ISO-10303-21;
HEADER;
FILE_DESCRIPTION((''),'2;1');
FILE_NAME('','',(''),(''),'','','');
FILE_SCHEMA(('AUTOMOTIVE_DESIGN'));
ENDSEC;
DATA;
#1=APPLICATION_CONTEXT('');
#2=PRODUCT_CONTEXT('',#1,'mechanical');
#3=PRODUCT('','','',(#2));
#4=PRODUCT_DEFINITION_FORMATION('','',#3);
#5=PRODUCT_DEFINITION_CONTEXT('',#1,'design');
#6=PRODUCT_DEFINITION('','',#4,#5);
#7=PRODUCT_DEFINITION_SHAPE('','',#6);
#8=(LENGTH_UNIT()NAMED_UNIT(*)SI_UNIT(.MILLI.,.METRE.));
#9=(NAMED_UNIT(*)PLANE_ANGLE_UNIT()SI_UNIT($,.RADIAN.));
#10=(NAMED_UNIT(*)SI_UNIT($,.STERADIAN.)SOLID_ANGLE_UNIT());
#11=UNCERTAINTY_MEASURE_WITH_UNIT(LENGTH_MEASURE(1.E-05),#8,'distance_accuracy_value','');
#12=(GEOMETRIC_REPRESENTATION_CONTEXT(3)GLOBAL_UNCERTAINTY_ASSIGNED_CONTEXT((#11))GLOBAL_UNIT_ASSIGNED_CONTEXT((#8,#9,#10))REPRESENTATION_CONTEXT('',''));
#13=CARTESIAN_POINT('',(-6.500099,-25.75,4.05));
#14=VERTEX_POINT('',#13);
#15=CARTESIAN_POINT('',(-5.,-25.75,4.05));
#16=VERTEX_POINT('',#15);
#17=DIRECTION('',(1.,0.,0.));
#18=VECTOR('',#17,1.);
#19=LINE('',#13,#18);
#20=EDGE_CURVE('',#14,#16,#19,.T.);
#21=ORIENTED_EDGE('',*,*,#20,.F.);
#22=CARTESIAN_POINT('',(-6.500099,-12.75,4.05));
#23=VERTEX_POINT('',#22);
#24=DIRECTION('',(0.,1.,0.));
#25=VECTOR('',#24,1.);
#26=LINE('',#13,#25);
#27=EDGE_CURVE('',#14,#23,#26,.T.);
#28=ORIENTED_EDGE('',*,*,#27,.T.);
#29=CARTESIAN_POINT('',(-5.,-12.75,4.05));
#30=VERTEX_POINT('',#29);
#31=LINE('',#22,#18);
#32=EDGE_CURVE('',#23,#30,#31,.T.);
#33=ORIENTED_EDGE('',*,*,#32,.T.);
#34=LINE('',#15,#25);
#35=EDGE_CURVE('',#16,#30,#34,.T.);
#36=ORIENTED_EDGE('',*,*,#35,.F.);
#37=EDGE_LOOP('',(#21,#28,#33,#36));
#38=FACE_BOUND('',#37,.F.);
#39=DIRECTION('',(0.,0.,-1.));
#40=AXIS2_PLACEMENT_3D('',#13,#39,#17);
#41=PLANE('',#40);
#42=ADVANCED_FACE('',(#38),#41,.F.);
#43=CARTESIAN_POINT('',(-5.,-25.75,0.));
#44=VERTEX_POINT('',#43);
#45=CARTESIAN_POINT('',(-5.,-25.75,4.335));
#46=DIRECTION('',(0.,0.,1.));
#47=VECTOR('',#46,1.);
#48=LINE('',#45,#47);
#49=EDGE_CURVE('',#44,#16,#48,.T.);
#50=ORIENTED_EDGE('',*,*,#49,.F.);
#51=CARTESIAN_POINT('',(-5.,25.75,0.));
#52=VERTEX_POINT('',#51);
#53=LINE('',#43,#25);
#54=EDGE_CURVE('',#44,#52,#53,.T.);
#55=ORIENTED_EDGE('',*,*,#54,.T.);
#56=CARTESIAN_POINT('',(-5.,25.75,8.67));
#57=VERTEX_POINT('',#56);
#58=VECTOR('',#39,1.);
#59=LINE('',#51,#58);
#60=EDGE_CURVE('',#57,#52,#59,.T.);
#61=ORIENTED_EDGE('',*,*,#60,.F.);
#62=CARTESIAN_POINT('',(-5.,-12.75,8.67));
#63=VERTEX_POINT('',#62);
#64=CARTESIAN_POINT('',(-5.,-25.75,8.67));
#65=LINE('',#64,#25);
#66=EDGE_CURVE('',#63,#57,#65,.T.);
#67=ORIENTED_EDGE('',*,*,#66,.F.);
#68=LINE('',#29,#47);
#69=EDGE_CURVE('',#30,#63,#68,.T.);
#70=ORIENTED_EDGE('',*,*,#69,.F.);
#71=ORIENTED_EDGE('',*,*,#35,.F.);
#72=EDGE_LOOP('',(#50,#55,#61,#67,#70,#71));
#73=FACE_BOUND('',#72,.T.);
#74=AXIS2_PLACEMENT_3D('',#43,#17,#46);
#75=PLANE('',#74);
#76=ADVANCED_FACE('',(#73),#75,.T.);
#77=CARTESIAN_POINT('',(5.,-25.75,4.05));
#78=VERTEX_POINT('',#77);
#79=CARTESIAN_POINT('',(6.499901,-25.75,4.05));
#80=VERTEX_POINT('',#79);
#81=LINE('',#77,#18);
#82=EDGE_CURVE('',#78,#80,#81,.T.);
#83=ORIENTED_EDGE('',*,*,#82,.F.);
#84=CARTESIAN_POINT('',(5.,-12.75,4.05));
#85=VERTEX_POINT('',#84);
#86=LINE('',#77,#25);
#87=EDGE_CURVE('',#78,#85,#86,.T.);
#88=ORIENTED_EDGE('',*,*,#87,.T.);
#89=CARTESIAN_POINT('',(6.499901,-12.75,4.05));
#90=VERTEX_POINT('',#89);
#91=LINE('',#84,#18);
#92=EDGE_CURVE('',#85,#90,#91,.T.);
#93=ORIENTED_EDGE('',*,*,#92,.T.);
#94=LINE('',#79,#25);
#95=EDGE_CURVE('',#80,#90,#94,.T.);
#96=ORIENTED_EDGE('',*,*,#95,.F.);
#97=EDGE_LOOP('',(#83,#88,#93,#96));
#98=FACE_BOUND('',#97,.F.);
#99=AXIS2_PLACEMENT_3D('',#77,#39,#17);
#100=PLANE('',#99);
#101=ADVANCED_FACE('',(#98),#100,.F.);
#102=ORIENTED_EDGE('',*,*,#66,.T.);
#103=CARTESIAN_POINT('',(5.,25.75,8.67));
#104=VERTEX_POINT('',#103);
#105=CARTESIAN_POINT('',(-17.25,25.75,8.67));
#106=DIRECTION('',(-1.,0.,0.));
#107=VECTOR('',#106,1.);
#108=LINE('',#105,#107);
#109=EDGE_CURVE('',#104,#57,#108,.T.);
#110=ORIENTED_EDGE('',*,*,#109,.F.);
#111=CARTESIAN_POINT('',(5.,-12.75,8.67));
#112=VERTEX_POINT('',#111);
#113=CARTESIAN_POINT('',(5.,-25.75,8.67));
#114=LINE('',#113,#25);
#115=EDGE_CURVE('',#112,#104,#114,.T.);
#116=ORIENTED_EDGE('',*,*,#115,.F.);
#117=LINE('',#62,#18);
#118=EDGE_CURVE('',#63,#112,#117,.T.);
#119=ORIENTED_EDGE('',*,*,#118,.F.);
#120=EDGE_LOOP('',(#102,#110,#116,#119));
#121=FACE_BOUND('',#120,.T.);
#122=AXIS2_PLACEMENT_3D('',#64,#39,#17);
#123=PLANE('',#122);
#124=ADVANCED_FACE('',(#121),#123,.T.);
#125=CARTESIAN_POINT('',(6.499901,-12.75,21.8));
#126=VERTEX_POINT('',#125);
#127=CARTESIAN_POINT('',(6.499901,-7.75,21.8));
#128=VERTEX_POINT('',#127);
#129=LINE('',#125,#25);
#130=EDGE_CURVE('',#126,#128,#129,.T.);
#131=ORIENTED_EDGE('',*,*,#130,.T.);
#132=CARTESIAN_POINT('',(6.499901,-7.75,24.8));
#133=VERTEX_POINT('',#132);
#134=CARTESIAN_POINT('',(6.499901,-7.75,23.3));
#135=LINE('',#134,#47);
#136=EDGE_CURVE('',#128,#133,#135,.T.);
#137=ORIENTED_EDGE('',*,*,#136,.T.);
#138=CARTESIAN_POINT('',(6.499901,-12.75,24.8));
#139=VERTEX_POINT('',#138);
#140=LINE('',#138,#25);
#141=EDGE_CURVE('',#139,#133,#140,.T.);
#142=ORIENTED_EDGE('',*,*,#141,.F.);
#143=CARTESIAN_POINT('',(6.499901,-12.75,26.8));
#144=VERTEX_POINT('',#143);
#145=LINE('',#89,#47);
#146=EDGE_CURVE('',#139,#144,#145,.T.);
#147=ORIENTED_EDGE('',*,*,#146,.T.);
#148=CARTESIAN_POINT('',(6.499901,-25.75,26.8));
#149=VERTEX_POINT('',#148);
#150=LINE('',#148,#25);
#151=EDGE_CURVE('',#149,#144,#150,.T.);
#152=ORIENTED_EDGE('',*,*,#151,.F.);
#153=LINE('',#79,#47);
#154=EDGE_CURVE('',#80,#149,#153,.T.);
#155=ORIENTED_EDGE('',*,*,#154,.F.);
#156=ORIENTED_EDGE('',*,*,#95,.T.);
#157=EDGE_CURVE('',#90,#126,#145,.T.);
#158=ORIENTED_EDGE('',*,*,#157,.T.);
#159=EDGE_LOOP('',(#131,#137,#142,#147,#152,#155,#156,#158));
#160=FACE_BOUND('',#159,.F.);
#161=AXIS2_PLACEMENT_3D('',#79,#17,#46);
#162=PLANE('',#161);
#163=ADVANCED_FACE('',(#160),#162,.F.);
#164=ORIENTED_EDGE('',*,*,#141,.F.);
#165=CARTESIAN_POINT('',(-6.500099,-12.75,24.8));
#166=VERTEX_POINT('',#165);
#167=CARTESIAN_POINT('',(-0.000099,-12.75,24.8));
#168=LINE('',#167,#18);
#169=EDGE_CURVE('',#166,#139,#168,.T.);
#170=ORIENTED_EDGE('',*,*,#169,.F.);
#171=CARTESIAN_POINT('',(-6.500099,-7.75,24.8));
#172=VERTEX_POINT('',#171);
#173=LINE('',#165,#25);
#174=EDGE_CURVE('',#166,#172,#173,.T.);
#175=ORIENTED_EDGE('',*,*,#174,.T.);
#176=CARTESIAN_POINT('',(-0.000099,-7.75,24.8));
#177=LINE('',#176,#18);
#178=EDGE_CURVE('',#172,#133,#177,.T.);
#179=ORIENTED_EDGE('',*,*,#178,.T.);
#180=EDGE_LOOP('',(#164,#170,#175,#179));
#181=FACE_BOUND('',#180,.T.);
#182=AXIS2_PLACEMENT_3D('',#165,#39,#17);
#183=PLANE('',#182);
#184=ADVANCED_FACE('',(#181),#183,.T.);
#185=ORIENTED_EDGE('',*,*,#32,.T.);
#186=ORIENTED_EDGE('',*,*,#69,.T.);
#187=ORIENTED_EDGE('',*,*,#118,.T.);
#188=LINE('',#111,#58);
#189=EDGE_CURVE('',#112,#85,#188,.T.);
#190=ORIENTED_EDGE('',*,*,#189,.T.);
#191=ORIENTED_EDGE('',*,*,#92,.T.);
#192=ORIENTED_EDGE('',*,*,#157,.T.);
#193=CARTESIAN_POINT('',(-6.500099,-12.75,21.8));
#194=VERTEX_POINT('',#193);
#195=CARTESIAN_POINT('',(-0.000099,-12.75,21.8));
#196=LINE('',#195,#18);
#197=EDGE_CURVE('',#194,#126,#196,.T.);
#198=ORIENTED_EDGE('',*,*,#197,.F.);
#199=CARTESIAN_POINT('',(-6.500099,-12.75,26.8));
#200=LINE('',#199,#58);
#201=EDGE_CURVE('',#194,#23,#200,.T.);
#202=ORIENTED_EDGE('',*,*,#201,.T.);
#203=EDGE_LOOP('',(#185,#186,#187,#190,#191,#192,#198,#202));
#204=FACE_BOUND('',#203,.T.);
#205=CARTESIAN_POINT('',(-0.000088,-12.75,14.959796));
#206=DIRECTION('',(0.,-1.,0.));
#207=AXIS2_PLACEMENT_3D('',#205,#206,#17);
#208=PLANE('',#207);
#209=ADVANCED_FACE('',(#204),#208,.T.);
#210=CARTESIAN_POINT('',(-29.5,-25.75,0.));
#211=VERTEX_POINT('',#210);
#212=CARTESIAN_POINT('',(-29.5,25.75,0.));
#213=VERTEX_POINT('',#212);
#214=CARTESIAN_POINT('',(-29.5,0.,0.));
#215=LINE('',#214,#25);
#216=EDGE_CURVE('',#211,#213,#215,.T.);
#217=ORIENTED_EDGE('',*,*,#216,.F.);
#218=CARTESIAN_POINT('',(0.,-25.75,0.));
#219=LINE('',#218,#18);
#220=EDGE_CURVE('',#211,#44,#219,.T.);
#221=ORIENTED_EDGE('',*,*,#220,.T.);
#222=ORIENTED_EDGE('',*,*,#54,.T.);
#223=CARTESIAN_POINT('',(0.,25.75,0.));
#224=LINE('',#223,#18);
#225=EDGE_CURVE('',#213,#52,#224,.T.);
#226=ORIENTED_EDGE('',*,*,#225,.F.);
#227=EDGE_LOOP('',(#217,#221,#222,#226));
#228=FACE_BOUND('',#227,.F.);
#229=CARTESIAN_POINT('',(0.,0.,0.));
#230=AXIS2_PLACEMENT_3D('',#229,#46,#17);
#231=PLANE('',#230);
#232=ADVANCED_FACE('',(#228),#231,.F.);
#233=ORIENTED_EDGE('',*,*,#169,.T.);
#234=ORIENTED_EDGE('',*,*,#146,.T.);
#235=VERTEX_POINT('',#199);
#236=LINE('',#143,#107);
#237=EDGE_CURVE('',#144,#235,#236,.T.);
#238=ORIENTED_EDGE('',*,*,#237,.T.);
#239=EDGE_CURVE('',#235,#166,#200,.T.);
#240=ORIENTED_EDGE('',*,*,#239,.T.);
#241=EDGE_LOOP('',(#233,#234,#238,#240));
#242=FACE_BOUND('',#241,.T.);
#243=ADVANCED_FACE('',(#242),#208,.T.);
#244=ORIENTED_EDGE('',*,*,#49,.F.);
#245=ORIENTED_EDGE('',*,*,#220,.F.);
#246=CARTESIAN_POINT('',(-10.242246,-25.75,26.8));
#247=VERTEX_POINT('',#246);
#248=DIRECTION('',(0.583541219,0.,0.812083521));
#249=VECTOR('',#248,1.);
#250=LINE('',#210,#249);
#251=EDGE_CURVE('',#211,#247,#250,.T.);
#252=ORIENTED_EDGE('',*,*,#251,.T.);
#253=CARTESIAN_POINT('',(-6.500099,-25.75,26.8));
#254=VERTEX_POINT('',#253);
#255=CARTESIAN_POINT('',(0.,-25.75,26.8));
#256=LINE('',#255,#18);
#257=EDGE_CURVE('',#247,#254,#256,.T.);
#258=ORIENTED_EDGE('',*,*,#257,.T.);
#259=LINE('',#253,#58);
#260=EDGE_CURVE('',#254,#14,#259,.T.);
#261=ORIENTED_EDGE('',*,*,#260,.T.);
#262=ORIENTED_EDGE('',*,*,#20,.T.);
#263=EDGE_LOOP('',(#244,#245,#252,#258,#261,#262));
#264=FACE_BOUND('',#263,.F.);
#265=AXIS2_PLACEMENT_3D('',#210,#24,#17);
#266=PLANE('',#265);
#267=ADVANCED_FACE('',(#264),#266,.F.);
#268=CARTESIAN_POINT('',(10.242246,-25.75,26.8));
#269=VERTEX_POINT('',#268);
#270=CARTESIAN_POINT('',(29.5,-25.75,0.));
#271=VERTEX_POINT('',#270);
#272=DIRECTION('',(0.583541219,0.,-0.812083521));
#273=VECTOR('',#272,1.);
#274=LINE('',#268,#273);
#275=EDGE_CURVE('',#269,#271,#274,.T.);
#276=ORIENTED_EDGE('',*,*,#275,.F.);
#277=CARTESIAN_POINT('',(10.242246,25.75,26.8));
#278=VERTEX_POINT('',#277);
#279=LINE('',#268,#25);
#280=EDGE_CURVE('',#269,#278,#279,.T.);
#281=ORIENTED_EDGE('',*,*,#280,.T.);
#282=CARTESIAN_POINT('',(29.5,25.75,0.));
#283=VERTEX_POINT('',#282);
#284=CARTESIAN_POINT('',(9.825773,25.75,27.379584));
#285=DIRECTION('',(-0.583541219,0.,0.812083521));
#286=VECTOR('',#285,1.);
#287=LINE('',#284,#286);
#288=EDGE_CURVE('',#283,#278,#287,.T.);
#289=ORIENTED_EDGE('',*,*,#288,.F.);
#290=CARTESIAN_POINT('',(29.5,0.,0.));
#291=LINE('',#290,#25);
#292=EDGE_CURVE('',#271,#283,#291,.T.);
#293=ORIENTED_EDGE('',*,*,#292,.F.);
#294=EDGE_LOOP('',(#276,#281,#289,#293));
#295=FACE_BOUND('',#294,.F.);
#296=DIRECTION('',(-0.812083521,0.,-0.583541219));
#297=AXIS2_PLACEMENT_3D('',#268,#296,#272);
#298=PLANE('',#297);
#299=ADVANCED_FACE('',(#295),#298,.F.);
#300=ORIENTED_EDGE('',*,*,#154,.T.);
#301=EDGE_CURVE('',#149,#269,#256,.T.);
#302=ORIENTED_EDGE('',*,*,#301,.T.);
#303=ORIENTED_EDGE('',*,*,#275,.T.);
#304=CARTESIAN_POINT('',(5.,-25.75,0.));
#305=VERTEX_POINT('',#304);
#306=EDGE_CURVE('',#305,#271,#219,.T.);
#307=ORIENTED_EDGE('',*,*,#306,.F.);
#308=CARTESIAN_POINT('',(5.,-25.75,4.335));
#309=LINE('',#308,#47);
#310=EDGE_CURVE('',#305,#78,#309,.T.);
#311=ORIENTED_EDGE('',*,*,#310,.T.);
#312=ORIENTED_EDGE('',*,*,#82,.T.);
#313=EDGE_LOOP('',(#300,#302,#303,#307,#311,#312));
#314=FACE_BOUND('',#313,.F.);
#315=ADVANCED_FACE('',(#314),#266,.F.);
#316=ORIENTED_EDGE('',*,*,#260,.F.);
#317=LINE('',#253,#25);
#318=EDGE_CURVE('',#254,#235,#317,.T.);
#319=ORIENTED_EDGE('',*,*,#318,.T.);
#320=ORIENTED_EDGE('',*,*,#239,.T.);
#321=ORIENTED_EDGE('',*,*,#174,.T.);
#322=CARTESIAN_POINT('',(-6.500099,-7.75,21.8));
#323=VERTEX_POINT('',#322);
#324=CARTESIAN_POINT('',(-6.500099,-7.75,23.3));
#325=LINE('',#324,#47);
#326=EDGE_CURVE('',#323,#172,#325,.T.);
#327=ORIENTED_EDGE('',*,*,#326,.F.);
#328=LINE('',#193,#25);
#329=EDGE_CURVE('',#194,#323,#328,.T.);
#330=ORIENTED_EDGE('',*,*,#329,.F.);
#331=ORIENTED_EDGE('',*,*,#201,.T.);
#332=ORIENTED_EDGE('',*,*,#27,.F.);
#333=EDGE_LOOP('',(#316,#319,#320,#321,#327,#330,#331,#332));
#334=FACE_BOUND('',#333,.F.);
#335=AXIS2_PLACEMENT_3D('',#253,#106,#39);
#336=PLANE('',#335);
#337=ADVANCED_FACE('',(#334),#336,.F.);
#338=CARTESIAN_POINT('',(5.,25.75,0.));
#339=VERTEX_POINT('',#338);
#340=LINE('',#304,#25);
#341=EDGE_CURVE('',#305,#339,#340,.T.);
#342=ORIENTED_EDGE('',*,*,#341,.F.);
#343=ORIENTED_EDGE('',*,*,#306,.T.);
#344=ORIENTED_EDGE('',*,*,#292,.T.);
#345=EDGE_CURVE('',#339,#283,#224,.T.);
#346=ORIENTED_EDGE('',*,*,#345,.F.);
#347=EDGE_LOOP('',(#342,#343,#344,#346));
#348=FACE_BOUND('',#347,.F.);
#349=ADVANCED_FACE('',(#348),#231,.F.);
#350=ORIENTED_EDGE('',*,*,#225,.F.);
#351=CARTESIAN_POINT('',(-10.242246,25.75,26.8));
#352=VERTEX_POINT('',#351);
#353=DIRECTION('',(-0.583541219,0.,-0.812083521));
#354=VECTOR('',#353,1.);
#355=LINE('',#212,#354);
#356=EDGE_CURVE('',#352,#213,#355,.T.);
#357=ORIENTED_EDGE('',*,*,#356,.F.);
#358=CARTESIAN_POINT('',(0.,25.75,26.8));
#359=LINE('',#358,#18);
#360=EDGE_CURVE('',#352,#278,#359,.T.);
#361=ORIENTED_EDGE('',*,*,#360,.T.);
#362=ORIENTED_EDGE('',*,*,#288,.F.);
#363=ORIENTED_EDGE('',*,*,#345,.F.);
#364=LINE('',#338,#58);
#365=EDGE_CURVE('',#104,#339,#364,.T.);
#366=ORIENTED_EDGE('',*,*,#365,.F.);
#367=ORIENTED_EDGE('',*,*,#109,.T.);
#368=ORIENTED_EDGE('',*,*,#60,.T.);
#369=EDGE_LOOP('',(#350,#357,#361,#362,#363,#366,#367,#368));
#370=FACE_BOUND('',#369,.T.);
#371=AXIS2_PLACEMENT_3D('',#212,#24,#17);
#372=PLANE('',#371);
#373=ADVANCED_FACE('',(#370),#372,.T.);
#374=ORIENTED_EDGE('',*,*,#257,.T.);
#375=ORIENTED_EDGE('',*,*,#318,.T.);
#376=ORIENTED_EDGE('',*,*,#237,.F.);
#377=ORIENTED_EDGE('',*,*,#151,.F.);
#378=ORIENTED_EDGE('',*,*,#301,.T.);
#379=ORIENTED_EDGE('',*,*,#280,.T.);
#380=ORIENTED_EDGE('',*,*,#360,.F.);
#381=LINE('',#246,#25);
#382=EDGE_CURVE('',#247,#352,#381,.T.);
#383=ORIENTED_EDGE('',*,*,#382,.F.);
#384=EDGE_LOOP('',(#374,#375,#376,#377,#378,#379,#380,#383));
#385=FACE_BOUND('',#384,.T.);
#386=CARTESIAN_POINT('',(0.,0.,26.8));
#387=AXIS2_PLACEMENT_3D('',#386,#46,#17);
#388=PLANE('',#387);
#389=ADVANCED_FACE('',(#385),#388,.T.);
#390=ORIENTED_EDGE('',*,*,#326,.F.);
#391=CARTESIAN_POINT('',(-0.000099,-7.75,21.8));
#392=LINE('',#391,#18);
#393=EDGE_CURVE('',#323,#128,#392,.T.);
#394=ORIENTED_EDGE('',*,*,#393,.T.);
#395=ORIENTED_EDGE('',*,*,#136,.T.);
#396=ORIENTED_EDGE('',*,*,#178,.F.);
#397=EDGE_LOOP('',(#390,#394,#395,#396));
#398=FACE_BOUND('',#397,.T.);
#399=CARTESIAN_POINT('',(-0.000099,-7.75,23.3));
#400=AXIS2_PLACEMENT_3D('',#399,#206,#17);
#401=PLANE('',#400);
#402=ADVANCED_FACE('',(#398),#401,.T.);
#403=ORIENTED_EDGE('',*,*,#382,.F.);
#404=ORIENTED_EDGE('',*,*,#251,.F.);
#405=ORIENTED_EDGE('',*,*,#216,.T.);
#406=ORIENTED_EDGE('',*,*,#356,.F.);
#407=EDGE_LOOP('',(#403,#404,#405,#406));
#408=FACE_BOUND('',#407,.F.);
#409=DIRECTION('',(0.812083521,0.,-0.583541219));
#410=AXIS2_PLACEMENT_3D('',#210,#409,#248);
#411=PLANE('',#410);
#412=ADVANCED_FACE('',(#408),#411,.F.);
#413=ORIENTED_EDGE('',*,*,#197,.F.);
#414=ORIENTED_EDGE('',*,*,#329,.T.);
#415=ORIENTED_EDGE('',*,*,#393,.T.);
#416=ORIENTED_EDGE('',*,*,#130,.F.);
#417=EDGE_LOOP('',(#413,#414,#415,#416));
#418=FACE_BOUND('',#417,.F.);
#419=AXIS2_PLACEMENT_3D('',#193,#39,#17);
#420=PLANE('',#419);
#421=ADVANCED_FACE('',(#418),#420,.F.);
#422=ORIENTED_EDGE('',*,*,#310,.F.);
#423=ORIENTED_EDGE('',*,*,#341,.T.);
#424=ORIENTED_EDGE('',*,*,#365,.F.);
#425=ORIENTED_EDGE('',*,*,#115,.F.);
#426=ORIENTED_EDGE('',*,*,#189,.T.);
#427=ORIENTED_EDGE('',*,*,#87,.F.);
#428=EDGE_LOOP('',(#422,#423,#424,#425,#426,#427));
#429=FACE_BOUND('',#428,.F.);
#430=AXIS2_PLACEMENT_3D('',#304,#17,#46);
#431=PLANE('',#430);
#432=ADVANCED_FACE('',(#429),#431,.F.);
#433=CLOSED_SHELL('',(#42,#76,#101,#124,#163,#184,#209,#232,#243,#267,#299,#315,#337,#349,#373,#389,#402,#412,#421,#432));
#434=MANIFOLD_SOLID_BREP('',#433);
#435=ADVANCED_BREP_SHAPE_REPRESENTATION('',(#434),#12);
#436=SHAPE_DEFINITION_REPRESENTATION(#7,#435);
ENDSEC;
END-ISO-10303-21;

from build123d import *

# Parameters (mm, degrees)
F0_W     = 59
F0_H     = 51.5
F1_DEPTH = 26.8
F3_DEPTH = 55
F4_W     = 10
F4_H     = 8.67
F5_DEPTH = 51.501
F7_DEPTH = 13
F8_W     = 13
F8_H     = 3
F9_DEPTH = 5


with BuildPart() as f1:
    # F0 (on Top) → F1 (new body)
    with BuildSketch(Plane.XY):
        Rectangle(F0_W, F0_H)
    extrude(amount=F1_DEPTH)

    # F2 (on face) → F3 (cut)
    with BuildSketch(Plane.XZ.offset(25.75)):
        Polygon((-29.5, 26.8), (-29.5, 0), (-10.242246, 26.8), align=None)
        Polygon((10.242246, 26.8), (29.5, 0), (29.5, 26.8), align=None)
    extrude(amount=-F3_DEPTH, mode=Mode.SUBTRACT)

    # F4 (on face) → F5 (cut, through all)
    with BuildSketch(Plane.XZ.offset(25.75)):
        with Locations((0, 4.335)):
            Rectangle(F4_W, F4_H)
    extrude(amount=-F5_DEPTH, mode=Mode.SUBTRACT)

    # F6 (on face) → F7 (cut)
    with BuildSketch(Plane.XZ.offset(25.75)):
        Polygon((6.499901, 26.8), (-6.500099, 26.8), (-6.500099, 4.05), (-5, 4.05), (-5, 8.67), (5, 8.67), (5, 4.05), (6.499901, 4.05), align=None)
    extrude(amount=-F7_DEPTH, mode=Mode.SUBTRACT)

    # F8 (on face) → F9 (cut)
    with BuildSketch(Plane.XZ.offset(12.75)):
        with Locations((-9.9e-05, 23.3)):
            Rectangle(F8_W, F8_H)
    extrude(amount=-F9_DEPTH, mode=Mode.SUBTRACT)


solid = f1.part
